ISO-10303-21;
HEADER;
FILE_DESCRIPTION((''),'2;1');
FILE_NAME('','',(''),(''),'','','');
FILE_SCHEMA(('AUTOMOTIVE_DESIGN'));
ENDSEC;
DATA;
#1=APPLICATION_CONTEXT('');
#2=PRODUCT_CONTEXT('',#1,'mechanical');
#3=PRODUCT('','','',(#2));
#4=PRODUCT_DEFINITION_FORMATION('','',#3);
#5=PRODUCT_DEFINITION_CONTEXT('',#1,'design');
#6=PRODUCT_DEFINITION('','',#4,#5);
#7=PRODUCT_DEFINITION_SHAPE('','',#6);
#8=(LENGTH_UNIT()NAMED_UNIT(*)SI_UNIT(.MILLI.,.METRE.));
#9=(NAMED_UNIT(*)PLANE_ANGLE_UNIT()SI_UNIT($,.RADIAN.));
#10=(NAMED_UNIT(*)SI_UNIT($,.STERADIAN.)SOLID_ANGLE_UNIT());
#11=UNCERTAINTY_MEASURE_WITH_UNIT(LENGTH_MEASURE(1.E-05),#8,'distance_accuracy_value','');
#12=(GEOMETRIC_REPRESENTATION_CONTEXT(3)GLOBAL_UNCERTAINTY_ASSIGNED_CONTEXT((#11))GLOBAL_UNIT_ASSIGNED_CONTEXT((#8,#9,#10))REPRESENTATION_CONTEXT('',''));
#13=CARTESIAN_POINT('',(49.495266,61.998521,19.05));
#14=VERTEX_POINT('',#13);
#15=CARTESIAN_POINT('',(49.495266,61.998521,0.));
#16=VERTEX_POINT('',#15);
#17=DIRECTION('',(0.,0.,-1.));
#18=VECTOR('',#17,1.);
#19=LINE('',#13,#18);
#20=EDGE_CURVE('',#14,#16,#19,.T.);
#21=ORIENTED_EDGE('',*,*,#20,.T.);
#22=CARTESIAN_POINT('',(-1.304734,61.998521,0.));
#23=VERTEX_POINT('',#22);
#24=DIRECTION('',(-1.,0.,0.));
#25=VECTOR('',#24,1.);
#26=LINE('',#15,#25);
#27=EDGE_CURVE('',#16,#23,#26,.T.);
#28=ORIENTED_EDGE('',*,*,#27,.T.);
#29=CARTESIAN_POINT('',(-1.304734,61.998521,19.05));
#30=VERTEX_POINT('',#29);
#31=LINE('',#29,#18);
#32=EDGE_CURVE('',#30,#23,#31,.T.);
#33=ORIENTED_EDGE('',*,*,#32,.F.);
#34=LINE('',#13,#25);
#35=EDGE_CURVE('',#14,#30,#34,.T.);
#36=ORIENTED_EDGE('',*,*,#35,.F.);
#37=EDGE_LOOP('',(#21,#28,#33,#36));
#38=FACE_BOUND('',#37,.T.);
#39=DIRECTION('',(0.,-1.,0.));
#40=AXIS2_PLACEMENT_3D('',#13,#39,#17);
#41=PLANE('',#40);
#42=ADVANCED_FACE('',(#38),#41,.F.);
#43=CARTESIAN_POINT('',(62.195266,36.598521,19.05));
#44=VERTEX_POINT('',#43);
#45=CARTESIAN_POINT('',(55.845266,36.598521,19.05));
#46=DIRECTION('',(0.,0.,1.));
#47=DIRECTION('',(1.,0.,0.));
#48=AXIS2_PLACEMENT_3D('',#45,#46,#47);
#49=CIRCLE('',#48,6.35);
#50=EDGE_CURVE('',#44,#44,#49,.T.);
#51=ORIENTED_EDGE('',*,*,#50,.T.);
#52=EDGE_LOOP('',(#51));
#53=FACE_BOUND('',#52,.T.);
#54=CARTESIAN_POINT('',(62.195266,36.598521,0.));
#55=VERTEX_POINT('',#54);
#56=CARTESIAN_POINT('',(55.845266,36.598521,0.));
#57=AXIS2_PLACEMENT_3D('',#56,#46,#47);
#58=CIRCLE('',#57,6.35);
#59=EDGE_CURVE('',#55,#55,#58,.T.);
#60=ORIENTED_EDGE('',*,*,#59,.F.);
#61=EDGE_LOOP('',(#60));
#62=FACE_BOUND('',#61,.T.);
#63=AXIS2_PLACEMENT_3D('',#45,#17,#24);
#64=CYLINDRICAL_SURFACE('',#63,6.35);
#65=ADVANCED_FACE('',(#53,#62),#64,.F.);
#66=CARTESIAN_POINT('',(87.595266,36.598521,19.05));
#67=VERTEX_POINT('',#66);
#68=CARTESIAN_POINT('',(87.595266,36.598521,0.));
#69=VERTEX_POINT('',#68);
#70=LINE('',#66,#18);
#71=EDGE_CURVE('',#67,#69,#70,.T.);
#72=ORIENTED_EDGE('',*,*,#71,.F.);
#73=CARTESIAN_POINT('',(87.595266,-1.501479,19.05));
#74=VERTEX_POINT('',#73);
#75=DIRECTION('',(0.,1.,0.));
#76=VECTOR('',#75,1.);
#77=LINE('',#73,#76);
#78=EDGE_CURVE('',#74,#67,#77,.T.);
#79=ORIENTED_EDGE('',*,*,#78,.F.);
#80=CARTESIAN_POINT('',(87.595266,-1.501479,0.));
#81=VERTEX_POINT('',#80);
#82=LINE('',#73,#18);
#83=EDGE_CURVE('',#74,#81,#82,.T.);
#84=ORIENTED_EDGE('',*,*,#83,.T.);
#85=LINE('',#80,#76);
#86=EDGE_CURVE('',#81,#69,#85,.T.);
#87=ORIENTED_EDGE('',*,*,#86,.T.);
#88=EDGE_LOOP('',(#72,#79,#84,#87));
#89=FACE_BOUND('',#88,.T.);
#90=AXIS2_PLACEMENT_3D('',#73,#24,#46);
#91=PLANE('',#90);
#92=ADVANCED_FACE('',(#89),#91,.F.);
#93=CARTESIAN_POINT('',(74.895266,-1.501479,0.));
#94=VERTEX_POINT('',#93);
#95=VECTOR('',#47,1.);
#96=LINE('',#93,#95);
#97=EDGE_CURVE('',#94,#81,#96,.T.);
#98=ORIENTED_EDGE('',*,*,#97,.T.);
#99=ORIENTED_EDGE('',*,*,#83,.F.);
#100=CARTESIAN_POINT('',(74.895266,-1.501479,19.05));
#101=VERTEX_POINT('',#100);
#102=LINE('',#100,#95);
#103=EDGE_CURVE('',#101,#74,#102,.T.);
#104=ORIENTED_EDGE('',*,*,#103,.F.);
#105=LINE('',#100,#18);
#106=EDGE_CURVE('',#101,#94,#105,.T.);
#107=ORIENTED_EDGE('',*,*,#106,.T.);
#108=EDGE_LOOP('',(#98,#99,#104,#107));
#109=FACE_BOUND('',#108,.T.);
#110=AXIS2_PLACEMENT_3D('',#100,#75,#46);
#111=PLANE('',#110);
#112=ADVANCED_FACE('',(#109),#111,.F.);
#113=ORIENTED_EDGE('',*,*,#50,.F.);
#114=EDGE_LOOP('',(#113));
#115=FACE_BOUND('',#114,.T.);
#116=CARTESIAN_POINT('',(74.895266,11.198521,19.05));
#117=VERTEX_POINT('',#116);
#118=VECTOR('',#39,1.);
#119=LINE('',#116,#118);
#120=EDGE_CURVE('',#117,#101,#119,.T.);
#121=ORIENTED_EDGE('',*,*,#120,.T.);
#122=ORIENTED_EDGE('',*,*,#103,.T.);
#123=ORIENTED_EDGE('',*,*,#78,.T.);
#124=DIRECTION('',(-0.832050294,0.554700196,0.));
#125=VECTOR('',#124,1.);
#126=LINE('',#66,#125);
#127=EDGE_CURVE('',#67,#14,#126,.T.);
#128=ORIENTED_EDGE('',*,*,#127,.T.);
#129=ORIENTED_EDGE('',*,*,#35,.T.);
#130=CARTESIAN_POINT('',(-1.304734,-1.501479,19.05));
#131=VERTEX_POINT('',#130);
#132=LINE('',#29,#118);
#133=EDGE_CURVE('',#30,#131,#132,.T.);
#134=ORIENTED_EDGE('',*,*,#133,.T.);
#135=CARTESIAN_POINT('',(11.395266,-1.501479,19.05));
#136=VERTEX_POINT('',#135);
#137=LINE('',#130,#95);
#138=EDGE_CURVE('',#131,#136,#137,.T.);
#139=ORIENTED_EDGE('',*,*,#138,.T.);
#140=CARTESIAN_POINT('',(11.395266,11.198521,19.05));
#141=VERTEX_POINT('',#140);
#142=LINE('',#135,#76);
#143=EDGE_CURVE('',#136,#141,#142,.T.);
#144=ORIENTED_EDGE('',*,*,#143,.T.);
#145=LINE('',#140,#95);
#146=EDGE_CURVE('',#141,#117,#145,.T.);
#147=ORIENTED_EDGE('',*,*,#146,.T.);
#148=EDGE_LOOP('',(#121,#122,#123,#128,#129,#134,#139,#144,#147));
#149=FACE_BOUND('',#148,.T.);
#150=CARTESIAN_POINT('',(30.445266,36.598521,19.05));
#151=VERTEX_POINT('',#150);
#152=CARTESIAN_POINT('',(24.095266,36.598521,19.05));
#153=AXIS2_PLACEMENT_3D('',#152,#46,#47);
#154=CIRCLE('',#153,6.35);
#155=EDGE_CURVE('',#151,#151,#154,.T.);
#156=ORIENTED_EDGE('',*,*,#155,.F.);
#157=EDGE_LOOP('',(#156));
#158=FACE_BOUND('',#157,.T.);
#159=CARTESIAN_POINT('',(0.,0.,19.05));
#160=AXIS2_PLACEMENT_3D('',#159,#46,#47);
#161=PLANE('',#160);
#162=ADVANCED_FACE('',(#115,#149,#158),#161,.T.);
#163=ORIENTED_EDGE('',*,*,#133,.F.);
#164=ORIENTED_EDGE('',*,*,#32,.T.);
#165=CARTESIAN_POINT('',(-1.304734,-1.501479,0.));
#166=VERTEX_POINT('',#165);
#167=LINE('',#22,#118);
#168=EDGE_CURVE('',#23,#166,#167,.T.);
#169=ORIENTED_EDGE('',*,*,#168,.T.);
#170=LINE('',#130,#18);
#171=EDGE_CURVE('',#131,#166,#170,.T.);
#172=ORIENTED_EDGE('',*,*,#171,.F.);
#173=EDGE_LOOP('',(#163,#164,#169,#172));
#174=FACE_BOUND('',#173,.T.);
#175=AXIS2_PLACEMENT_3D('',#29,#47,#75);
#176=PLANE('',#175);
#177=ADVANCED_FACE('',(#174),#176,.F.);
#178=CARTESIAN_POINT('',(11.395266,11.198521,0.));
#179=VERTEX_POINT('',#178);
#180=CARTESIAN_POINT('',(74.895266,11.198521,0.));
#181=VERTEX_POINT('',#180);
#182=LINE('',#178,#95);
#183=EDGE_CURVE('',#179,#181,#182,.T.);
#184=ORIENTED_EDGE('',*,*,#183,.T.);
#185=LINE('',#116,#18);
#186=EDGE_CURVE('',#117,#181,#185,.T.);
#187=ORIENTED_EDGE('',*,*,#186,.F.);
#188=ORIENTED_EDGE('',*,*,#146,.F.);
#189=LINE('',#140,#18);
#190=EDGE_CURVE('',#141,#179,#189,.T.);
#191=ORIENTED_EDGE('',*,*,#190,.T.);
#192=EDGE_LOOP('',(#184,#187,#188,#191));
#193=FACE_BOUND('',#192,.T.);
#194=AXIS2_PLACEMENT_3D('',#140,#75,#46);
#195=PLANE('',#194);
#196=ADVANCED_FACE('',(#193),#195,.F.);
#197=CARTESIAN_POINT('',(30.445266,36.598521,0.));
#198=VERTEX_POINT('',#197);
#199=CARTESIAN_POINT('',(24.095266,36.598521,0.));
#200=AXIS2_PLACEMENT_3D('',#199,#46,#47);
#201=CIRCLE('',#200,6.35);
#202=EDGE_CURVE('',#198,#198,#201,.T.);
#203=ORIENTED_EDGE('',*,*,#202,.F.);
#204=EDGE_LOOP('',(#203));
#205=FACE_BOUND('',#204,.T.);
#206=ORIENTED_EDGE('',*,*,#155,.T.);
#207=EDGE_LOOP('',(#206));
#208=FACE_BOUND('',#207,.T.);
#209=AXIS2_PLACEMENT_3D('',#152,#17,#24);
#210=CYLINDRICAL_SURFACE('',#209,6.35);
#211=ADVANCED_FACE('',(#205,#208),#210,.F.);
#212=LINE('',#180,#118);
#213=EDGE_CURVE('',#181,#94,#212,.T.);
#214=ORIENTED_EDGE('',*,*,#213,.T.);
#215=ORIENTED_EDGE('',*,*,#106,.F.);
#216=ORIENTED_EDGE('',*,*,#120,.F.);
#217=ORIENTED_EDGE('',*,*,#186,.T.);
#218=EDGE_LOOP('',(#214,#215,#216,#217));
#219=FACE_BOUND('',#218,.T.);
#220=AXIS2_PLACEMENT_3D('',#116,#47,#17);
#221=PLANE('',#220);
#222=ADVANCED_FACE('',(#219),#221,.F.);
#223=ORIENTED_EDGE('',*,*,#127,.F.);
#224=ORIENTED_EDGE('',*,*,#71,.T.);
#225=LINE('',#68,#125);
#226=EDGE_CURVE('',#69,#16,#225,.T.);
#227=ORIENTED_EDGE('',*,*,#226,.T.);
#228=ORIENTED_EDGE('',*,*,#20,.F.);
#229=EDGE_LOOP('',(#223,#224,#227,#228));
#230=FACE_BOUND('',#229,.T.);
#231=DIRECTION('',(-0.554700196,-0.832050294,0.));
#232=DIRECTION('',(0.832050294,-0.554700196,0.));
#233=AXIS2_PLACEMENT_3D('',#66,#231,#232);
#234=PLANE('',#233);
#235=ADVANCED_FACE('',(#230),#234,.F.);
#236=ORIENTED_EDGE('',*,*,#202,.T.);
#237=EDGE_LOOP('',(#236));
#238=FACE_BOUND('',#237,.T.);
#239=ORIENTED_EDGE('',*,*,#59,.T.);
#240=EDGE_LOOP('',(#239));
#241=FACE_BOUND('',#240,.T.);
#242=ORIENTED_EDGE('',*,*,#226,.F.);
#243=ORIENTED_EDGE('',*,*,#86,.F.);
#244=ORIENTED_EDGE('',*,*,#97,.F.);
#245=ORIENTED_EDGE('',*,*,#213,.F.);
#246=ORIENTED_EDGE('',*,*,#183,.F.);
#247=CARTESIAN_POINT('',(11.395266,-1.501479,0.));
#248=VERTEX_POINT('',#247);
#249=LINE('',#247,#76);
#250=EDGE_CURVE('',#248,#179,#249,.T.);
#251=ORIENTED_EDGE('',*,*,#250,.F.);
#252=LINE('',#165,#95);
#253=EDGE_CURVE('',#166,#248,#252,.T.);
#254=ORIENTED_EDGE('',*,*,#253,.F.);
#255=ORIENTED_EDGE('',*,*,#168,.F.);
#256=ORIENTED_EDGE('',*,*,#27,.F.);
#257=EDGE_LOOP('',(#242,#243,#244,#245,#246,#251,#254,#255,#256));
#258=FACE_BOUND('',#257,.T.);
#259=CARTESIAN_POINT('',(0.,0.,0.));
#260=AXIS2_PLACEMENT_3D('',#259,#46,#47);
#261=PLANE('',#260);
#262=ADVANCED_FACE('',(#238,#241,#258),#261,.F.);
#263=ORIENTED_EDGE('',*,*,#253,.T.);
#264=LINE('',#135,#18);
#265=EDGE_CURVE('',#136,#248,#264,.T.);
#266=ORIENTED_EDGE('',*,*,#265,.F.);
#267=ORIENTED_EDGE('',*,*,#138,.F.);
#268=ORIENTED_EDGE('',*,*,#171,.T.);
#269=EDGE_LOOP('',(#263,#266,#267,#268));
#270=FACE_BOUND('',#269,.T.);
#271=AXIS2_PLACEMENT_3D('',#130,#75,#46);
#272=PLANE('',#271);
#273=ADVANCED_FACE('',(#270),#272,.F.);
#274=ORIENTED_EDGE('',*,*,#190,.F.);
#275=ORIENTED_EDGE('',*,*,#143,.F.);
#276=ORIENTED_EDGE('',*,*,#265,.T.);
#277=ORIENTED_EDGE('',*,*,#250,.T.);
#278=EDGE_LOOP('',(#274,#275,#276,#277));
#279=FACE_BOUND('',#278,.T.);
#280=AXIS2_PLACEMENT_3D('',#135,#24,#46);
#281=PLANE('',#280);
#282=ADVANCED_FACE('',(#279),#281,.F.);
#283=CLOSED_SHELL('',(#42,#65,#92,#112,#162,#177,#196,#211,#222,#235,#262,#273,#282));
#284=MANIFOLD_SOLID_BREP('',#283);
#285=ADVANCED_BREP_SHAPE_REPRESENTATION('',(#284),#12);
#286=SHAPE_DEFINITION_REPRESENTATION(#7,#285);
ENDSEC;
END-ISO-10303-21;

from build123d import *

# Parameters (mm, degrees)
SKETCH1_R           = 6.35
BOSS_EXTRUDE1_DEPTH = 19.05


with BuildPart() as part:
    # Sketch1 → Boss-Extrude1 (new body)
    with BuildSketch(Plane.XY):
        Polygon((-1.304733728, 61.99852071), (-1.304733728, -1.50147929), (11.395266272, -1.50147929), (11.395266272, 11.19852071), (74.895266272, 11.19852071), (74.895266272, -1.50147929), (87.595266272, -1.50147929), (87.595266272, 36.59852071), (49.495266272, 61.99852071), align=None)
        with Locations((24.095266272, 36.59852071)):
            Circle(SKETCH1_R, mode=Mode.SUBTRACT)
        with Locations((55.845266272, 36.59852071)):
            Circle(SKETCH1_R, mode=Mode.SUBTRACT)
    extrude(amount=BOSS_EXTRUDE1_DEPTH)


solid = part.part
